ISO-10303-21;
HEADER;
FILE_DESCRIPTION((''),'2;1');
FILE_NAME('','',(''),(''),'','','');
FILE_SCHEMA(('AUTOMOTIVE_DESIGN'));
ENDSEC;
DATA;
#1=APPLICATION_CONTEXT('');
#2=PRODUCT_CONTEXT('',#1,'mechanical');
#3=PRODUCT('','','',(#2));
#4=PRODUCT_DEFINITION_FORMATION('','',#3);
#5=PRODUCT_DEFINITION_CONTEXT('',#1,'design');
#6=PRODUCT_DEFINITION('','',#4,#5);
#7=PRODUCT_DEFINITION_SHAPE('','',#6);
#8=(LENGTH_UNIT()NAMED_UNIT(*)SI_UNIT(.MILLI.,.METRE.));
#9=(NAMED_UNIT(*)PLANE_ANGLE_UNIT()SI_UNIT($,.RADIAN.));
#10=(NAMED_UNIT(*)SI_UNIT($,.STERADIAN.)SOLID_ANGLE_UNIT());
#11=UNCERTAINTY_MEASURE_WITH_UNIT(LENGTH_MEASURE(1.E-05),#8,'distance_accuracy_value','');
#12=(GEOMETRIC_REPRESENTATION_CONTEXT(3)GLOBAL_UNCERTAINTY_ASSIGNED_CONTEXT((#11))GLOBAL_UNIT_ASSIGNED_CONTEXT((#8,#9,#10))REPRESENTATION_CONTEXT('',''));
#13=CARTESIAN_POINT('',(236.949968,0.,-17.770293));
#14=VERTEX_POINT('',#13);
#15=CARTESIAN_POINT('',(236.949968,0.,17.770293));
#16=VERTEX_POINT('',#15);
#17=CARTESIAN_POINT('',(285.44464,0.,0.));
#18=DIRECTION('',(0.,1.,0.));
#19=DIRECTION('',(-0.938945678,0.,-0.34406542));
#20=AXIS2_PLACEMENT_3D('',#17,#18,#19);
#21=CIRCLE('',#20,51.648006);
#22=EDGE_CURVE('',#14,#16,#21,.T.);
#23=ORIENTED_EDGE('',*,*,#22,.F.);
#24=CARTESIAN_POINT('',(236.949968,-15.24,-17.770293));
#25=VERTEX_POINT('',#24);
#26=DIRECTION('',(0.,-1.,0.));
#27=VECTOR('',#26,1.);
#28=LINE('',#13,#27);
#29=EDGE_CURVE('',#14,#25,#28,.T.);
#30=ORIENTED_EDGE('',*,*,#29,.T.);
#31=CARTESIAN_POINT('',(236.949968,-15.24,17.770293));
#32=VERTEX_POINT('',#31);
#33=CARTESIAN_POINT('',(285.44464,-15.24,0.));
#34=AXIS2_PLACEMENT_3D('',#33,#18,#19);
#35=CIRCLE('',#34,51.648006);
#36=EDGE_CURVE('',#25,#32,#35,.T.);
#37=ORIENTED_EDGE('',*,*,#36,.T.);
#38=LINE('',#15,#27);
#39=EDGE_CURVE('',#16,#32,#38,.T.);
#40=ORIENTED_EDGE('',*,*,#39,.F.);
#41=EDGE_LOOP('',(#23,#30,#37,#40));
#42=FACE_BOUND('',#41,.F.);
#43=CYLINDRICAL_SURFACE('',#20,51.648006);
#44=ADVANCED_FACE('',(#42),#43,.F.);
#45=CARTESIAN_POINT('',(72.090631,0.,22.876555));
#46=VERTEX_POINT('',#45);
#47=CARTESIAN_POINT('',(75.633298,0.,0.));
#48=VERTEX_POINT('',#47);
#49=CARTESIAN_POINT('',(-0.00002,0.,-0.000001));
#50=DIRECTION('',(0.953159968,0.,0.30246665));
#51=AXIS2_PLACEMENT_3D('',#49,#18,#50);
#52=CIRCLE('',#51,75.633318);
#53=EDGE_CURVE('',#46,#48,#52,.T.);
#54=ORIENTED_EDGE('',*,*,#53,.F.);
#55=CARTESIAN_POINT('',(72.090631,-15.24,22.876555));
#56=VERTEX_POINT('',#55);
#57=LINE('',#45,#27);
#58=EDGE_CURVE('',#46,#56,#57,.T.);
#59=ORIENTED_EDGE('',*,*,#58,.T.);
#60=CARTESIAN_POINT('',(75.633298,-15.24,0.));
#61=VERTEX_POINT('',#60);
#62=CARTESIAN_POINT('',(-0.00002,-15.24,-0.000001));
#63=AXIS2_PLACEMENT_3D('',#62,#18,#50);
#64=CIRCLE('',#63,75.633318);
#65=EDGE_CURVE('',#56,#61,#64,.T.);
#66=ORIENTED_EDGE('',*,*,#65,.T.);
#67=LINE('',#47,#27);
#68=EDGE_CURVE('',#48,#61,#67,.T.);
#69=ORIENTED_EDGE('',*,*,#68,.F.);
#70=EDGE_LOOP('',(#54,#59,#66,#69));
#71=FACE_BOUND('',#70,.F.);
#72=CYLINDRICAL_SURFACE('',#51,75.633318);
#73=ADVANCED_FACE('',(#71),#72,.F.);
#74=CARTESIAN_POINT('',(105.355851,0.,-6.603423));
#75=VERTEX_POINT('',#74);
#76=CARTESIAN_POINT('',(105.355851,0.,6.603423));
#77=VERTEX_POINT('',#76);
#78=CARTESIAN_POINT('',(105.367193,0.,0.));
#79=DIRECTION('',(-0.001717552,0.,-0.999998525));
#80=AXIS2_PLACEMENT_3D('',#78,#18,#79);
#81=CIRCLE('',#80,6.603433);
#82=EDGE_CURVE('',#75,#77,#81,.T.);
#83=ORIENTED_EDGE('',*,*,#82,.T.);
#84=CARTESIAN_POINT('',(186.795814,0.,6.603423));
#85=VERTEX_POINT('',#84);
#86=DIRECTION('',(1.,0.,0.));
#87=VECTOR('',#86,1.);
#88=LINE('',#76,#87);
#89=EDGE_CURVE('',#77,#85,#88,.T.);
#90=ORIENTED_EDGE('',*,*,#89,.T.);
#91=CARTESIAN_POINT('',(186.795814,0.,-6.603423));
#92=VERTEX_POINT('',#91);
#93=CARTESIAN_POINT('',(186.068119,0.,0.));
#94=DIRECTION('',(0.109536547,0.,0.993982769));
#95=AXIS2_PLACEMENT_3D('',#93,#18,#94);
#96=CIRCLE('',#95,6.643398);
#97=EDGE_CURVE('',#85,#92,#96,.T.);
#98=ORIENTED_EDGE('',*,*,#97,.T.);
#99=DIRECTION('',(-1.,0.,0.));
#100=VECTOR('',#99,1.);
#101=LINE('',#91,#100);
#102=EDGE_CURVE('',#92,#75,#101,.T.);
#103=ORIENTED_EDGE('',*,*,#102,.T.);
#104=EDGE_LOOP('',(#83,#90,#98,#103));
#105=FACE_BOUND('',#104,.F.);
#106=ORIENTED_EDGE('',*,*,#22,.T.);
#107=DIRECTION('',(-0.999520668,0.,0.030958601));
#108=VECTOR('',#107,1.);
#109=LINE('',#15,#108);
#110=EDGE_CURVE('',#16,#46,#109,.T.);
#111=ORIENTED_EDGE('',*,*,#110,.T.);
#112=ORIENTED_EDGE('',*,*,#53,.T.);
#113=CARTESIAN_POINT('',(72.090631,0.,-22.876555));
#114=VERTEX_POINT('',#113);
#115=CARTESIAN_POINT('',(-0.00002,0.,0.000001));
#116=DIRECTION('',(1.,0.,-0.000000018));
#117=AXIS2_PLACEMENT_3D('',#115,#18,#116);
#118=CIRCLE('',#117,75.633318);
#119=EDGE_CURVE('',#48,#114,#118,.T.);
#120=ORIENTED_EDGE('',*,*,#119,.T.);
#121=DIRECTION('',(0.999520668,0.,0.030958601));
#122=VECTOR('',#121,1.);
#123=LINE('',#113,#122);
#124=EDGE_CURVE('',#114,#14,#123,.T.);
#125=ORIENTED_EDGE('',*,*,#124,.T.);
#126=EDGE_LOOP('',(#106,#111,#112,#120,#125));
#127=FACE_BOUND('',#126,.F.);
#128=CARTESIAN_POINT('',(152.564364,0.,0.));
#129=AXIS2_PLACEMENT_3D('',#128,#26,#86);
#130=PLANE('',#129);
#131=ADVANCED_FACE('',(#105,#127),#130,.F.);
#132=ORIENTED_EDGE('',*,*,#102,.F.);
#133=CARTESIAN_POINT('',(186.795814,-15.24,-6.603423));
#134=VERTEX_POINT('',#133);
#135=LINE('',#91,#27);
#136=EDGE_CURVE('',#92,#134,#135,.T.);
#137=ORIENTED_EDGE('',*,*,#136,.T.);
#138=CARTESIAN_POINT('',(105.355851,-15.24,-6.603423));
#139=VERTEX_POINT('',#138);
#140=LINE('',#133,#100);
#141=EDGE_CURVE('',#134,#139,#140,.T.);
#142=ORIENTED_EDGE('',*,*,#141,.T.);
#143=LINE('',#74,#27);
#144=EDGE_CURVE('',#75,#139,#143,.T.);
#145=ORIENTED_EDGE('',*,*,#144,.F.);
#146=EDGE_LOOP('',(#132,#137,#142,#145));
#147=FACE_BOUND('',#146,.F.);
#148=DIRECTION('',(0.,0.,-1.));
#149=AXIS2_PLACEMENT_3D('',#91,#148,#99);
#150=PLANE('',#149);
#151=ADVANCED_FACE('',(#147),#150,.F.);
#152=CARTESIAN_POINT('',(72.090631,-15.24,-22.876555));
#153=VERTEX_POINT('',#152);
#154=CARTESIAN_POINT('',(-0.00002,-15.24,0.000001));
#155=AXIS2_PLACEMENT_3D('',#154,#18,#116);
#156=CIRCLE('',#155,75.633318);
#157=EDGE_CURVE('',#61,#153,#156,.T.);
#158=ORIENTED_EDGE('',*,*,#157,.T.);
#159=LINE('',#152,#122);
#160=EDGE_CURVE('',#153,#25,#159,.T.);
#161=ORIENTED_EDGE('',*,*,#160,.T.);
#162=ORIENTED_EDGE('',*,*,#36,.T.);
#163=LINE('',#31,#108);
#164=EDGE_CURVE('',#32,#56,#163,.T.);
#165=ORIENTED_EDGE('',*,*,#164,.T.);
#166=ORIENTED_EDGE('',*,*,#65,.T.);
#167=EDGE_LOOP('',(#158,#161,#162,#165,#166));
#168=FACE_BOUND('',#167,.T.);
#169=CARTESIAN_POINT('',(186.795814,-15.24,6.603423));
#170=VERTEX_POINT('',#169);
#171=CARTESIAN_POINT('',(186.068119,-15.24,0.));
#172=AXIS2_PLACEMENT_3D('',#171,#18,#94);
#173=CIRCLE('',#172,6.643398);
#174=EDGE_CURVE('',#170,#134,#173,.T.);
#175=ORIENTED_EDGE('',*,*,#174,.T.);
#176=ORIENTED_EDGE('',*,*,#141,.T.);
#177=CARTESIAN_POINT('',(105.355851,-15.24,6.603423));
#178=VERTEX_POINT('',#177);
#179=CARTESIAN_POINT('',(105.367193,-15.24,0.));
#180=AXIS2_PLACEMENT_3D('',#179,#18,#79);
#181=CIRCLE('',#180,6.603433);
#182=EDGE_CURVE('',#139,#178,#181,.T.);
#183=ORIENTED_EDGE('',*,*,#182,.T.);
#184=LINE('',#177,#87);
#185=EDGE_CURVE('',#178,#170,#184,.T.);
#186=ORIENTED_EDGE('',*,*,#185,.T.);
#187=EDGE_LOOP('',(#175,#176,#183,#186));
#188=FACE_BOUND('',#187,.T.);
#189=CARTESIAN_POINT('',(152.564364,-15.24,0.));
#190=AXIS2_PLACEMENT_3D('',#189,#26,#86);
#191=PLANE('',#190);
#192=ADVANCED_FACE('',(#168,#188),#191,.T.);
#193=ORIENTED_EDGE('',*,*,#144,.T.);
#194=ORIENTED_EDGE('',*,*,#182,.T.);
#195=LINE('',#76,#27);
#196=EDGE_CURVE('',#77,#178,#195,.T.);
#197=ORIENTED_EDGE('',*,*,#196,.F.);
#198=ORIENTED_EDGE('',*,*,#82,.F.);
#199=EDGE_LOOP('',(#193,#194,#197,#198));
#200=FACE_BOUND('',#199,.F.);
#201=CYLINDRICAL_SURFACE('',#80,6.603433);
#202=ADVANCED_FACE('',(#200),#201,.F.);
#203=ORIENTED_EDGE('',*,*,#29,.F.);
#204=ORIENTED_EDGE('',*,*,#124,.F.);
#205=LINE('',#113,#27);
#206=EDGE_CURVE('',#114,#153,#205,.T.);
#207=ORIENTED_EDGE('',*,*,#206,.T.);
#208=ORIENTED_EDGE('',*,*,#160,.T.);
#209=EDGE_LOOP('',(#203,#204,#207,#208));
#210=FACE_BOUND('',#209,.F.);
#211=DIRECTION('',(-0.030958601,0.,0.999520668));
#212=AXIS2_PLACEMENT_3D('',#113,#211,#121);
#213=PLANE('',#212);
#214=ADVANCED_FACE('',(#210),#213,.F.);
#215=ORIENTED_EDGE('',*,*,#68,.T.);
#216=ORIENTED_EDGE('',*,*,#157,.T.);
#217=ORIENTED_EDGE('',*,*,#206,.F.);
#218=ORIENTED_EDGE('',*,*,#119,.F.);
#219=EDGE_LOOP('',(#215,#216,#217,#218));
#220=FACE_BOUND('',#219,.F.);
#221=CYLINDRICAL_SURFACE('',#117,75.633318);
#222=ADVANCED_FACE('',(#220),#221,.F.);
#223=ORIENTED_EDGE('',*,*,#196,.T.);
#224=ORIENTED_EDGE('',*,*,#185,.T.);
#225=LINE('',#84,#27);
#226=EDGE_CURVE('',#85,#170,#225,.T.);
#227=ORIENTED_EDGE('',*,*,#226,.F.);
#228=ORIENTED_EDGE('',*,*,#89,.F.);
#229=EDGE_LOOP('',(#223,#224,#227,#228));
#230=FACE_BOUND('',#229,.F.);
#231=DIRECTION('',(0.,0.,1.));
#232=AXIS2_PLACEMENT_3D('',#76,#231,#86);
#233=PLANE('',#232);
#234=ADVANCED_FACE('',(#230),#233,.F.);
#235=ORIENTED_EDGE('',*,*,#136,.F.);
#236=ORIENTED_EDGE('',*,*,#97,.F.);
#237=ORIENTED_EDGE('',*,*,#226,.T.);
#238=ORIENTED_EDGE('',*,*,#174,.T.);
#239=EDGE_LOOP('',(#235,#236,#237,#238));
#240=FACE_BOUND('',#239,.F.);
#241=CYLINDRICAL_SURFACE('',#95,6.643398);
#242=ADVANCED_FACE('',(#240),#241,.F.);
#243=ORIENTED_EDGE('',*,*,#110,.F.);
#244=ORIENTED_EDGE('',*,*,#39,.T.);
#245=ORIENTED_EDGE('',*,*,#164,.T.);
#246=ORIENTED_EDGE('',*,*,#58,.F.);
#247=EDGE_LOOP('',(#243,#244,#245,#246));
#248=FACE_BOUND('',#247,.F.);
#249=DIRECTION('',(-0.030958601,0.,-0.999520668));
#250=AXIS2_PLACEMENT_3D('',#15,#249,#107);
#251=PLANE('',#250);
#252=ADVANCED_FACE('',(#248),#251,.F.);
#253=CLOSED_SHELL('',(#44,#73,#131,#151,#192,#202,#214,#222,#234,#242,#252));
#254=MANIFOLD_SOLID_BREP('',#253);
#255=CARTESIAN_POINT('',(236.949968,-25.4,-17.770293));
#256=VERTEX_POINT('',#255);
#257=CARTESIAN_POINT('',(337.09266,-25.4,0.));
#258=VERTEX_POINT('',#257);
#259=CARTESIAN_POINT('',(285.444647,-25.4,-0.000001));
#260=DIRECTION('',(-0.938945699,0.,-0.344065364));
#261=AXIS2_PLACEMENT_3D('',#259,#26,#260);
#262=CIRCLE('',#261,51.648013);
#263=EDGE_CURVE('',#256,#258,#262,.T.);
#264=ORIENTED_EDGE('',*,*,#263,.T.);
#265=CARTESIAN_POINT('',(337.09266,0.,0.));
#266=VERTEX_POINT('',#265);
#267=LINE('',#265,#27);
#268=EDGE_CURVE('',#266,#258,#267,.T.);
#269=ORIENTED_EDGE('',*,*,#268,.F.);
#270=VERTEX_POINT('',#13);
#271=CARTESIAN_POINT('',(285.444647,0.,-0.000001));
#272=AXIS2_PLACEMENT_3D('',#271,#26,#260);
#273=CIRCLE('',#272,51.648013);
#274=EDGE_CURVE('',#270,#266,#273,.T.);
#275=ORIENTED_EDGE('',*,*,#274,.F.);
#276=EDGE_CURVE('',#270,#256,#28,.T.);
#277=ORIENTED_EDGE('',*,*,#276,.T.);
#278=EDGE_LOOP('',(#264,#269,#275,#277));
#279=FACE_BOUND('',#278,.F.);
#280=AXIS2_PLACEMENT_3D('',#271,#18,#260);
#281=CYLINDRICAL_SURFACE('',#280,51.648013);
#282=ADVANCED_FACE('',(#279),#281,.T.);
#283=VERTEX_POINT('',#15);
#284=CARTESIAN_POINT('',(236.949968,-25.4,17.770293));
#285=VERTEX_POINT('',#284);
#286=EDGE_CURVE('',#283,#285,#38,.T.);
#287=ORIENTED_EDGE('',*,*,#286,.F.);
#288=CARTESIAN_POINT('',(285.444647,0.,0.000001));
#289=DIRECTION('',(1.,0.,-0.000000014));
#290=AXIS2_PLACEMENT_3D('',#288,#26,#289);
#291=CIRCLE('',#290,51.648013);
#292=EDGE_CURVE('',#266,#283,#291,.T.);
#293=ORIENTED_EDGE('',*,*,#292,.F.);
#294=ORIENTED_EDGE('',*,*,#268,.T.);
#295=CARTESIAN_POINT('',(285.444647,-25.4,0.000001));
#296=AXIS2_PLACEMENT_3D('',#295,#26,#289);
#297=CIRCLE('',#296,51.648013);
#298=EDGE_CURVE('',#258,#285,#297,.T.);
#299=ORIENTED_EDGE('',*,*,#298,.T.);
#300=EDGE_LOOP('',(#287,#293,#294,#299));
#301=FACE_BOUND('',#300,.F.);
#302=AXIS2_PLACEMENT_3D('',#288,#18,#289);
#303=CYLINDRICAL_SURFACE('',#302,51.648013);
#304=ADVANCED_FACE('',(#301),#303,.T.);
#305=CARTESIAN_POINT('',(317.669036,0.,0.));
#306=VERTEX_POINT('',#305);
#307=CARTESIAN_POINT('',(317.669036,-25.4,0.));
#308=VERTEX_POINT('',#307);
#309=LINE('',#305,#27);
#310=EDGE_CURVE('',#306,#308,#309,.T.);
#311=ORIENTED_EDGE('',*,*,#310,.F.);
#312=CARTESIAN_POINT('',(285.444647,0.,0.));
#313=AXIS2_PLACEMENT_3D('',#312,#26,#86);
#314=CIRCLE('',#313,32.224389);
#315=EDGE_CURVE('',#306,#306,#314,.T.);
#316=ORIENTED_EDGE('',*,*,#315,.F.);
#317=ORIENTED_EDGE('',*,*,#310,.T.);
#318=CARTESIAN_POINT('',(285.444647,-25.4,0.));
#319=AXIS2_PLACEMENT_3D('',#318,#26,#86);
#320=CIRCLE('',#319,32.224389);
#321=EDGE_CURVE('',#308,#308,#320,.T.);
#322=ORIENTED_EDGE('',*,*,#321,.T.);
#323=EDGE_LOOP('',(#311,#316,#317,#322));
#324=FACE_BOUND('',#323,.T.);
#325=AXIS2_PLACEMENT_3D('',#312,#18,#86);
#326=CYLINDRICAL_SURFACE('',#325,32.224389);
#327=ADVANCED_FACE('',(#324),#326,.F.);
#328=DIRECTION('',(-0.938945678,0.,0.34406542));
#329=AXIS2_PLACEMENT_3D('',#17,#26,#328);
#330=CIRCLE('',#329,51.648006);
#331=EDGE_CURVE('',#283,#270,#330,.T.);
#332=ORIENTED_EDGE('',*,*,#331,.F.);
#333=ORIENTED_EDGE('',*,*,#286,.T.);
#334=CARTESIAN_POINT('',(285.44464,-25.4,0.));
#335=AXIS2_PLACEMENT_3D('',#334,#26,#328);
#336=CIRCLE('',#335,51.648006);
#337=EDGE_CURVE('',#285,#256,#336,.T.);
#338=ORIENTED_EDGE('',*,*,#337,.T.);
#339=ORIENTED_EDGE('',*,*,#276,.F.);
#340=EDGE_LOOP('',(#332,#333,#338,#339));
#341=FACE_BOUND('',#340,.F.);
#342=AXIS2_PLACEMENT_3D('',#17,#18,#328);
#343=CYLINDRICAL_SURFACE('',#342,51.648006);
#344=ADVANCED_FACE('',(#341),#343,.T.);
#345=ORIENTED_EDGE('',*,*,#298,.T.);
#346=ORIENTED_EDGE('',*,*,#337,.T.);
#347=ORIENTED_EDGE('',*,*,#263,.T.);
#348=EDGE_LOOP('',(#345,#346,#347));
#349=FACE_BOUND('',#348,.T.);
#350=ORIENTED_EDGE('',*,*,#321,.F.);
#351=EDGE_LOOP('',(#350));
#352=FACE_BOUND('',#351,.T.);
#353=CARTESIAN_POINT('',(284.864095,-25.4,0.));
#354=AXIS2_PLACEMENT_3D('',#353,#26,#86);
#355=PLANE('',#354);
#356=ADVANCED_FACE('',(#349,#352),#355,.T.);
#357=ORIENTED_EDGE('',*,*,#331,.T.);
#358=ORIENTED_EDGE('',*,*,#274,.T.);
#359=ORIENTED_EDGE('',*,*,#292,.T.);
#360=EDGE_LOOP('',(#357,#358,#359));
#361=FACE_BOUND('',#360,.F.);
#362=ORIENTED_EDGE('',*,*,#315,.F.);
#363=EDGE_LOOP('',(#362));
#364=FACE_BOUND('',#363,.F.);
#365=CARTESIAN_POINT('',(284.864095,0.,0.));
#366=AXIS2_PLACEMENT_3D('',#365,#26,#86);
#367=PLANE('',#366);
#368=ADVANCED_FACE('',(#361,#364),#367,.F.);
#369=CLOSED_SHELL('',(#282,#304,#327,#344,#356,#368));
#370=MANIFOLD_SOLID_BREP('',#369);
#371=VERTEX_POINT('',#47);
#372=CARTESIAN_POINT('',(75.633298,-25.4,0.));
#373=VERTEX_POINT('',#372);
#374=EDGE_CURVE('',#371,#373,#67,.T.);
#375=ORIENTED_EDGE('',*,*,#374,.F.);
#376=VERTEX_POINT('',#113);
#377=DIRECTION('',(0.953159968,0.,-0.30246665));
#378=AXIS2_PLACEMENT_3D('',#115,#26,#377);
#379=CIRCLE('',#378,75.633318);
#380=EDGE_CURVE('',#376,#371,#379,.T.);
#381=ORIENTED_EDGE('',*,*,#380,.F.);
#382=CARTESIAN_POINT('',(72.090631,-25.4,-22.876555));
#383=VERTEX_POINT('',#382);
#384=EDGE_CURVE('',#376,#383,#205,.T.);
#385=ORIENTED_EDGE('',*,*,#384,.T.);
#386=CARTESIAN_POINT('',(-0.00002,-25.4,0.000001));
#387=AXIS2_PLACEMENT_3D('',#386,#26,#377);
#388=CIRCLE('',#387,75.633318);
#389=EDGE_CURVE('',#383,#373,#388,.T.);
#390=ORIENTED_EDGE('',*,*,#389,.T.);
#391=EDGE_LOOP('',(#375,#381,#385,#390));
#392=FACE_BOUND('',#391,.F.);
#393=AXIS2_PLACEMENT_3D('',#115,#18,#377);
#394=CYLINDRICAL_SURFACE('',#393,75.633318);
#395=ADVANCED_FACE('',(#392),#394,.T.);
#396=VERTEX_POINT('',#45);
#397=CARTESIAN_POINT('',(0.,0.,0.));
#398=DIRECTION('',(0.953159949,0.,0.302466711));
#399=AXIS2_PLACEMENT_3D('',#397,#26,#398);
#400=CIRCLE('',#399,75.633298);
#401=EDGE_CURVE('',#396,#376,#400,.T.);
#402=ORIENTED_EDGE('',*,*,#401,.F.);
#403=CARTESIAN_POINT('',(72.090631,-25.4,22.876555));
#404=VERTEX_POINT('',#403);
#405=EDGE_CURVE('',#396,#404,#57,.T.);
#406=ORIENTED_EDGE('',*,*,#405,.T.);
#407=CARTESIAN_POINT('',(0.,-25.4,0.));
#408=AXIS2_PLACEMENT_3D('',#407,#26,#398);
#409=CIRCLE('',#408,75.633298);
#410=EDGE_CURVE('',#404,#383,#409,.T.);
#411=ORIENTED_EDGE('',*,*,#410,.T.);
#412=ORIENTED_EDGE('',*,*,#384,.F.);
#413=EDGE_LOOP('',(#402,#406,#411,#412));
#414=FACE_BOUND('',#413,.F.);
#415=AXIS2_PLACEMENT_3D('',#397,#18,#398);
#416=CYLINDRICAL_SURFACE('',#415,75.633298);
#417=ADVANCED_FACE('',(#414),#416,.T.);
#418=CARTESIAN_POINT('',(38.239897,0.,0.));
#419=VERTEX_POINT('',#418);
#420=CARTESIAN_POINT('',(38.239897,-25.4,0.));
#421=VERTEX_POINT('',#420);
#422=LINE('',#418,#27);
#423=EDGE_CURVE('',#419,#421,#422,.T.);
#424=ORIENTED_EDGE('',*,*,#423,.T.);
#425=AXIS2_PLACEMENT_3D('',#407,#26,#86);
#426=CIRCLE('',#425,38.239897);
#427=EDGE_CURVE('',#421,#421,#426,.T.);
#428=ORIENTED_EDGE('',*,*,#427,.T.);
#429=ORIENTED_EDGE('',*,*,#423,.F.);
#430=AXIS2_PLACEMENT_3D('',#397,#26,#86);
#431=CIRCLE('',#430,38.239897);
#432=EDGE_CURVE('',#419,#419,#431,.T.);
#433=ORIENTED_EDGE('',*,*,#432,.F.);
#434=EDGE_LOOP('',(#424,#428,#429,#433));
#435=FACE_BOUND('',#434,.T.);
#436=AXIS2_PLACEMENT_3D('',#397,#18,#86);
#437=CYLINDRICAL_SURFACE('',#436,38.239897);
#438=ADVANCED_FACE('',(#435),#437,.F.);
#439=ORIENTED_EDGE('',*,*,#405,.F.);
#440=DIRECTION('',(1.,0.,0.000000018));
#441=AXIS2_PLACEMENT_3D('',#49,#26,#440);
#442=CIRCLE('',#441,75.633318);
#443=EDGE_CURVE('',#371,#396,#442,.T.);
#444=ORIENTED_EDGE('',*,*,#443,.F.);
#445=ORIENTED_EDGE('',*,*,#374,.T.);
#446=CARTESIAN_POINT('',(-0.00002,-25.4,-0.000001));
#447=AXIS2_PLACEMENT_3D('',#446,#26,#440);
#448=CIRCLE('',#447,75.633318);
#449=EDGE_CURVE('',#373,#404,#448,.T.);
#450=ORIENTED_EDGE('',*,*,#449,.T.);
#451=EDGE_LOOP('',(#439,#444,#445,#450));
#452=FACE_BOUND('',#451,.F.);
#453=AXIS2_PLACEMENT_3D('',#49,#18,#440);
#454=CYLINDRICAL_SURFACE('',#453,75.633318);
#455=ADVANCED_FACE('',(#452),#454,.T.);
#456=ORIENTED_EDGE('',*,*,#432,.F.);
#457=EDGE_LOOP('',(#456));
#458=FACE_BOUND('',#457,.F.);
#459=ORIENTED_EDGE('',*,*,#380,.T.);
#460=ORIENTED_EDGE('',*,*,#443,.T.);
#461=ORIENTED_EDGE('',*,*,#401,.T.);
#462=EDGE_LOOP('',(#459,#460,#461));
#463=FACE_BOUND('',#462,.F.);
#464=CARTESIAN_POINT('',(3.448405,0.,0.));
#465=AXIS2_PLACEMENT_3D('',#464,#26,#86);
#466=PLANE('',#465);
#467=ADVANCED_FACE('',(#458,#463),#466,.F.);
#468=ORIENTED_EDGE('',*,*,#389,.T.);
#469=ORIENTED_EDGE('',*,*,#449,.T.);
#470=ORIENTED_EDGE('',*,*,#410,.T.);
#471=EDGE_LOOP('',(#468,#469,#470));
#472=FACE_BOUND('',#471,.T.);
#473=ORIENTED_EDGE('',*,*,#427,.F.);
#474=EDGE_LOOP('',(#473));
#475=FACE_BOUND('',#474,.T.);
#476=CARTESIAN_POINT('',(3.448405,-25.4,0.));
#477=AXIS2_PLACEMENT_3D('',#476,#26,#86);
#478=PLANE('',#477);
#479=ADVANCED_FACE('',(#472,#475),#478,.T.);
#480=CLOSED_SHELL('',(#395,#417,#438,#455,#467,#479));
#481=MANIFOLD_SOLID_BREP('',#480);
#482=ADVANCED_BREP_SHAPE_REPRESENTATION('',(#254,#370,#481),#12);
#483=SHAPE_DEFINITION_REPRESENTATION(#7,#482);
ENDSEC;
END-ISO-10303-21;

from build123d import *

# Parameters (mm, degrees)
F0_R     = 38.239897
F0_R_2   = 32.224389
F1_DEPTH = 25.4
F2_DEPTH = 15.24


with BuildPart() as f1:
    # F0 (on Front) → F1 (new body)
    with BuildSketch(Plane.XZ):
        with BuildLine():
            ThreePointArc((75.633298, 0), (74.742384, 11.574619), (72.090631, 22.876555))
            ThreePointArc((72.090631, 22.876555), (-75.633298, 0), (72.090631, -22.876555))
            ThreePointArc((72.090631, -22.876555), (74.742384, -11.574619), (75.633298, 0))
        make_face()
        Circle(F0_R, mode=Mode.SUBTRACT)
        with BuildLine():
            ThreePointArc((236.949968, -17.770293), (294.468599, -50.85357), (337.09266, 0))
            ThreePointArc((337.09266, 0), (294.468599, 50.85357), (236.949968, 17.770293))
            ThreePointArc((236.949968, 17.770293), (233.796634, 0), (236.949968, -17.770293))
        make_face()
        with Locations((285.444647, 0)):
            Circle(F0_R_2, mode=Mode.SUBTRACT)
    extrude(amount=F1_DEPTH)


with BuildPart() as f2:
    # F0 (on Front) → F2 (new body)
    with BuildSketch(Plane.XZ):
        with BuildLine():
            ThreePointArc((236.949968, -17.770293), (233.796634, 0), (236.949968, 17.770293))
            Line((236.949968, 17.770293), (72.090631, 22.876555))
            ThreePointArc((72.090631, 22.876555), (74.742384, 11.574619), (75.633298, 0))
            ThreePointArc((75.633298, 0), (74.742384, -11.574619), (72.090631, -22.876555))
            Line((72.090631, -22.876555), (236.949968, -17.770293))
        make_face()
        with BuildLine():
            ThreePointArc((105.355851, -6.603423), (98.76376, 0), (105.355851, 6.603423))
            Line((105.355851, 6.603423), (186.795814, 6.603423))
            ThreePointArc((186.795814, 6.603423), (192.711517, 0), (186.795814, -6.603423))
            Line((186.795814, -6.603423), (105.355851, -6.603423))
        make_face(mode=Mode.SUBTRACT)
    extrude(amount=F2_DEPTH)


solid = Compound([f1.part, f2.part])
